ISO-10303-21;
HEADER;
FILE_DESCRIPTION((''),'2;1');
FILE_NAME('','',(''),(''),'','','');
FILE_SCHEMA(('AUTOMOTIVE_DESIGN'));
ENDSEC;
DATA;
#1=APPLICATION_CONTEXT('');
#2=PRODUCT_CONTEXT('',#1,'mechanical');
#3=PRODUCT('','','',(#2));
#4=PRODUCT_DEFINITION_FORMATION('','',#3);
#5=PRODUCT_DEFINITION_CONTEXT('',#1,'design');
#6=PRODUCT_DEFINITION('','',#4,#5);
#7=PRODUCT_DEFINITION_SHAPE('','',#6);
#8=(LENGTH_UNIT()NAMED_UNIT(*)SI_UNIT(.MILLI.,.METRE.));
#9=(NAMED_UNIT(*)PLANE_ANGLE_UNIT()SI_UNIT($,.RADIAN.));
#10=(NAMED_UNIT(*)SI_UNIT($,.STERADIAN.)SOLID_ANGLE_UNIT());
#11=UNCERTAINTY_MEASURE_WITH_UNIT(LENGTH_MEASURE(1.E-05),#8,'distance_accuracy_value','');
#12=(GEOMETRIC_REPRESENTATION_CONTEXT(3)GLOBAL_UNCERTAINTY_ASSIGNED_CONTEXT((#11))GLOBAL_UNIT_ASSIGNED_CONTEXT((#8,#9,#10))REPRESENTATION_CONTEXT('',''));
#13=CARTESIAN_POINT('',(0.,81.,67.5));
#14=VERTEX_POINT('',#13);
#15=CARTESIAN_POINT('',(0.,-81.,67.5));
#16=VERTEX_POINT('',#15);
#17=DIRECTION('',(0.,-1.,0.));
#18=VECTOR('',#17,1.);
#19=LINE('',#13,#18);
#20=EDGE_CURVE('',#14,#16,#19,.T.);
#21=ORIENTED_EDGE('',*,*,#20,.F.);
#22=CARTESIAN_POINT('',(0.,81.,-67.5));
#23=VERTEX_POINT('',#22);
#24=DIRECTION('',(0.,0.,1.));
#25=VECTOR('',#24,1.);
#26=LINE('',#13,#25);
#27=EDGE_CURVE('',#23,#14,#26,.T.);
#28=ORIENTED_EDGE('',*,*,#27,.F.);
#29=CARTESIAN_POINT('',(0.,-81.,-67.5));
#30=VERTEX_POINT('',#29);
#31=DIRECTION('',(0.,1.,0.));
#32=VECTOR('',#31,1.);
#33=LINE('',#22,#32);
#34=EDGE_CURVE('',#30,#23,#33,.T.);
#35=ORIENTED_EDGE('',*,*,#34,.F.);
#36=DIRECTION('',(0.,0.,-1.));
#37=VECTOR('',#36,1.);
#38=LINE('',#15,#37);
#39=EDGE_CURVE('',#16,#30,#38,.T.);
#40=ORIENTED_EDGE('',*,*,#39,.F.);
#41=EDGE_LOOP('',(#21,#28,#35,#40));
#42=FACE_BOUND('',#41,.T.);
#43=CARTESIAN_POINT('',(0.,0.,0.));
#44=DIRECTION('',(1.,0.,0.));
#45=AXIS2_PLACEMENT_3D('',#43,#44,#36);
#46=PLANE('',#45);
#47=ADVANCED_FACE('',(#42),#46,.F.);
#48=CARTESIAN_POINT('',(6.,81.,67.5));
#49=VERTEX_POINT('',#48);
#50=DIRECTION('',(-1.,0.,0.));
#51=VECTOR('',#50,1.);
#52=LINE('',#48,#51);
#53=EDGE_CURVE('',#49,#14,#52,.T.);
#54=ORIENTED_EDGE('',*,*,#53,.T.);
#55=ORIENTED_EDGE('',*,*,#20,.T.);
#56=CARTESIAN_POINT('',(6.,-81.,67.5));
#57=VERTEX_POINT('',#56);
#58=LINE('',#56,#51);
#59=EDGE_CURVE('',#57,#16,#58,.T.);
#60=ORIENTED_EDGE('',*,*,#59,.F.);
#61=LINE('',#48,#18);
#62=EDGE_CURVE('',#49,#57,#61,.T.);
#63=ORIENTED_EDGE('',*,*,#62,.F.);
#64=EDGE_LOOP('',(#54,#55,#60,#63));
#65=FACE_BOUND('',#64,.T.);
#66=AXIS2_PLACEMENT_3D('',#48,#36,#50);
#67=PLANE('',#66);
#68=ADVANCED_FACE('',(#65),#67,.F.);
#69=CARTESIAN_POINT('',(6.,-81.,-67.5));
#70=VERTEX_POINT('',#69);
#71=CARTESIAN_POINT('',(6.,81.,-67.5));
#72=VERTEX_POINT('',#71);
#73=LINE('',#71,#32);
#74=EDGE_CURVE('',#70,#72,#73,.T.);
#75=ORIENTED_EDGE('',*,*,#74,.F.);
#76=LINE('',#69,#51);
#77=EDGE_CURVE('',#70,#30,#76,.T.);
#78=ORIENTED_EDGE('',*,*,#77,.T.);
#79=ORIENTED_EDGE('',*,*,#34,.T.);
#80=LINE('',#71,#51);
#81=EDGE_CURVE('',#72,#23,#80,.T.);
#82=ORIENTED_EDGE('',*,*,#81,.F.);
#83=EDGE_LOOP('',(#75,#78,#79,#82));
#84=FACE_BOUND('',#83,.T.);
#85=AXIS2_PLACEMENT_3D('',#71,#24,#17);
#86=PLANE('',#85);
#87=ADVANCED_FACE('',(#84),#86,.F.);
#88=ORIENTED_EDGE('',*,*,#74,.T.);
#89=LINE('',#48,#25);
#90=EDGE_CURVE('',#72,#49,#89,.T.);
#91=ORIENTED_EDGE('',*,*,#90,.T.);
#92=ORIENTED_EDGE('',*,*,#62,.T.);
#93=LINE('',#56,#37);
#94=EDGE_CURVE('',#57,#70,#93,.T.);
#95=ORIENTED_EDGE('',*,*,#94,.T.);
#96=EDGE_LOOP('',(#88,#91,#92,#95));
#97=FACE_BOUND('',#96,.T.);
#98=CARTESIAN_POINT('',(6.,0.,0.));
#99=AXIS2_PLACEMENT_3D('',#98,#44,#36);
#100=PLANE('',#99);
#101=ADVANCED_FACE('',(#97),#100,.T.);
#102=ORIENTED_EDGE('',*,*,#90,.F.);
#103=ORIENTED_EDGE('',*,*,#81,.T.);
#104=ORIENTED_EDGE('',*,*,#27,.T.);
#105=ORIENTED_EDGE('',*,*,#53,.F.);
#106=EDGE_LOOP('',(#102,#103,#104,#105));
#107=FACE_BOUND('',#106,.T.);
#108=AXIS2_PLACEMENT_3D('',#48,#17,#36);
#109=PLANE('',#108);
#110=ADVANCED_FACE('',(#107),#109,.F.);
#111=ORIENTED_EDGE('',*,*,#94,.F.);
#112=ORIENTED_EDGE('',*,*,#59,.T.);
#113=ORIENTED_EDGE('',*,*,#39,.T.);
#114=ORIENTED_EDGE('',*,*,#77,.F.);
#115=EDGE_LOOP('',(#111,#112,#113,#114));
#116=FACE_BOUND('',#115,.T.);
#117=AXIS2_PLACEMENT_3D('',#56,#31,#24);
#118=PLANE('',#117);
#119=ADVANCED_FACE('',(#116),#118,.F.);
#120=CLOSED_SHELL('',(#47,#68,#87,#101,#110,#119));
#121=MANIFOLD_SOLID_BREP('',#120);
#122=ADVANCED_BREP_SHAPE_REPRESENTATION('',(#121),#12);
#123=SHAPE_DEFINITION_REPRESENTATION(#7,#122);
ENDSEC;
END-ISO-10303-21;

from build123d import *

# Parameters (mm, degrees)
CROQUIS2_W              = 135
CROQUIS2_H              = 162
SALIENTE_EXTRUIR1_DEPTH = 6


with BuildPart() as part:
    # Croquis2 → Saliente-Extruir1 (new body)
    with BuildSketch(Plane(origin=(0, 0, 0), x_dir=(0, 0, -1), z_dir=(1, 0, 0))):
        Rectangle(CROQUIS2_W, CROQUIS2_H)
    extrude(amount=SALIENTE_EXTRUIR1_DEPTH)


solid = part.part
